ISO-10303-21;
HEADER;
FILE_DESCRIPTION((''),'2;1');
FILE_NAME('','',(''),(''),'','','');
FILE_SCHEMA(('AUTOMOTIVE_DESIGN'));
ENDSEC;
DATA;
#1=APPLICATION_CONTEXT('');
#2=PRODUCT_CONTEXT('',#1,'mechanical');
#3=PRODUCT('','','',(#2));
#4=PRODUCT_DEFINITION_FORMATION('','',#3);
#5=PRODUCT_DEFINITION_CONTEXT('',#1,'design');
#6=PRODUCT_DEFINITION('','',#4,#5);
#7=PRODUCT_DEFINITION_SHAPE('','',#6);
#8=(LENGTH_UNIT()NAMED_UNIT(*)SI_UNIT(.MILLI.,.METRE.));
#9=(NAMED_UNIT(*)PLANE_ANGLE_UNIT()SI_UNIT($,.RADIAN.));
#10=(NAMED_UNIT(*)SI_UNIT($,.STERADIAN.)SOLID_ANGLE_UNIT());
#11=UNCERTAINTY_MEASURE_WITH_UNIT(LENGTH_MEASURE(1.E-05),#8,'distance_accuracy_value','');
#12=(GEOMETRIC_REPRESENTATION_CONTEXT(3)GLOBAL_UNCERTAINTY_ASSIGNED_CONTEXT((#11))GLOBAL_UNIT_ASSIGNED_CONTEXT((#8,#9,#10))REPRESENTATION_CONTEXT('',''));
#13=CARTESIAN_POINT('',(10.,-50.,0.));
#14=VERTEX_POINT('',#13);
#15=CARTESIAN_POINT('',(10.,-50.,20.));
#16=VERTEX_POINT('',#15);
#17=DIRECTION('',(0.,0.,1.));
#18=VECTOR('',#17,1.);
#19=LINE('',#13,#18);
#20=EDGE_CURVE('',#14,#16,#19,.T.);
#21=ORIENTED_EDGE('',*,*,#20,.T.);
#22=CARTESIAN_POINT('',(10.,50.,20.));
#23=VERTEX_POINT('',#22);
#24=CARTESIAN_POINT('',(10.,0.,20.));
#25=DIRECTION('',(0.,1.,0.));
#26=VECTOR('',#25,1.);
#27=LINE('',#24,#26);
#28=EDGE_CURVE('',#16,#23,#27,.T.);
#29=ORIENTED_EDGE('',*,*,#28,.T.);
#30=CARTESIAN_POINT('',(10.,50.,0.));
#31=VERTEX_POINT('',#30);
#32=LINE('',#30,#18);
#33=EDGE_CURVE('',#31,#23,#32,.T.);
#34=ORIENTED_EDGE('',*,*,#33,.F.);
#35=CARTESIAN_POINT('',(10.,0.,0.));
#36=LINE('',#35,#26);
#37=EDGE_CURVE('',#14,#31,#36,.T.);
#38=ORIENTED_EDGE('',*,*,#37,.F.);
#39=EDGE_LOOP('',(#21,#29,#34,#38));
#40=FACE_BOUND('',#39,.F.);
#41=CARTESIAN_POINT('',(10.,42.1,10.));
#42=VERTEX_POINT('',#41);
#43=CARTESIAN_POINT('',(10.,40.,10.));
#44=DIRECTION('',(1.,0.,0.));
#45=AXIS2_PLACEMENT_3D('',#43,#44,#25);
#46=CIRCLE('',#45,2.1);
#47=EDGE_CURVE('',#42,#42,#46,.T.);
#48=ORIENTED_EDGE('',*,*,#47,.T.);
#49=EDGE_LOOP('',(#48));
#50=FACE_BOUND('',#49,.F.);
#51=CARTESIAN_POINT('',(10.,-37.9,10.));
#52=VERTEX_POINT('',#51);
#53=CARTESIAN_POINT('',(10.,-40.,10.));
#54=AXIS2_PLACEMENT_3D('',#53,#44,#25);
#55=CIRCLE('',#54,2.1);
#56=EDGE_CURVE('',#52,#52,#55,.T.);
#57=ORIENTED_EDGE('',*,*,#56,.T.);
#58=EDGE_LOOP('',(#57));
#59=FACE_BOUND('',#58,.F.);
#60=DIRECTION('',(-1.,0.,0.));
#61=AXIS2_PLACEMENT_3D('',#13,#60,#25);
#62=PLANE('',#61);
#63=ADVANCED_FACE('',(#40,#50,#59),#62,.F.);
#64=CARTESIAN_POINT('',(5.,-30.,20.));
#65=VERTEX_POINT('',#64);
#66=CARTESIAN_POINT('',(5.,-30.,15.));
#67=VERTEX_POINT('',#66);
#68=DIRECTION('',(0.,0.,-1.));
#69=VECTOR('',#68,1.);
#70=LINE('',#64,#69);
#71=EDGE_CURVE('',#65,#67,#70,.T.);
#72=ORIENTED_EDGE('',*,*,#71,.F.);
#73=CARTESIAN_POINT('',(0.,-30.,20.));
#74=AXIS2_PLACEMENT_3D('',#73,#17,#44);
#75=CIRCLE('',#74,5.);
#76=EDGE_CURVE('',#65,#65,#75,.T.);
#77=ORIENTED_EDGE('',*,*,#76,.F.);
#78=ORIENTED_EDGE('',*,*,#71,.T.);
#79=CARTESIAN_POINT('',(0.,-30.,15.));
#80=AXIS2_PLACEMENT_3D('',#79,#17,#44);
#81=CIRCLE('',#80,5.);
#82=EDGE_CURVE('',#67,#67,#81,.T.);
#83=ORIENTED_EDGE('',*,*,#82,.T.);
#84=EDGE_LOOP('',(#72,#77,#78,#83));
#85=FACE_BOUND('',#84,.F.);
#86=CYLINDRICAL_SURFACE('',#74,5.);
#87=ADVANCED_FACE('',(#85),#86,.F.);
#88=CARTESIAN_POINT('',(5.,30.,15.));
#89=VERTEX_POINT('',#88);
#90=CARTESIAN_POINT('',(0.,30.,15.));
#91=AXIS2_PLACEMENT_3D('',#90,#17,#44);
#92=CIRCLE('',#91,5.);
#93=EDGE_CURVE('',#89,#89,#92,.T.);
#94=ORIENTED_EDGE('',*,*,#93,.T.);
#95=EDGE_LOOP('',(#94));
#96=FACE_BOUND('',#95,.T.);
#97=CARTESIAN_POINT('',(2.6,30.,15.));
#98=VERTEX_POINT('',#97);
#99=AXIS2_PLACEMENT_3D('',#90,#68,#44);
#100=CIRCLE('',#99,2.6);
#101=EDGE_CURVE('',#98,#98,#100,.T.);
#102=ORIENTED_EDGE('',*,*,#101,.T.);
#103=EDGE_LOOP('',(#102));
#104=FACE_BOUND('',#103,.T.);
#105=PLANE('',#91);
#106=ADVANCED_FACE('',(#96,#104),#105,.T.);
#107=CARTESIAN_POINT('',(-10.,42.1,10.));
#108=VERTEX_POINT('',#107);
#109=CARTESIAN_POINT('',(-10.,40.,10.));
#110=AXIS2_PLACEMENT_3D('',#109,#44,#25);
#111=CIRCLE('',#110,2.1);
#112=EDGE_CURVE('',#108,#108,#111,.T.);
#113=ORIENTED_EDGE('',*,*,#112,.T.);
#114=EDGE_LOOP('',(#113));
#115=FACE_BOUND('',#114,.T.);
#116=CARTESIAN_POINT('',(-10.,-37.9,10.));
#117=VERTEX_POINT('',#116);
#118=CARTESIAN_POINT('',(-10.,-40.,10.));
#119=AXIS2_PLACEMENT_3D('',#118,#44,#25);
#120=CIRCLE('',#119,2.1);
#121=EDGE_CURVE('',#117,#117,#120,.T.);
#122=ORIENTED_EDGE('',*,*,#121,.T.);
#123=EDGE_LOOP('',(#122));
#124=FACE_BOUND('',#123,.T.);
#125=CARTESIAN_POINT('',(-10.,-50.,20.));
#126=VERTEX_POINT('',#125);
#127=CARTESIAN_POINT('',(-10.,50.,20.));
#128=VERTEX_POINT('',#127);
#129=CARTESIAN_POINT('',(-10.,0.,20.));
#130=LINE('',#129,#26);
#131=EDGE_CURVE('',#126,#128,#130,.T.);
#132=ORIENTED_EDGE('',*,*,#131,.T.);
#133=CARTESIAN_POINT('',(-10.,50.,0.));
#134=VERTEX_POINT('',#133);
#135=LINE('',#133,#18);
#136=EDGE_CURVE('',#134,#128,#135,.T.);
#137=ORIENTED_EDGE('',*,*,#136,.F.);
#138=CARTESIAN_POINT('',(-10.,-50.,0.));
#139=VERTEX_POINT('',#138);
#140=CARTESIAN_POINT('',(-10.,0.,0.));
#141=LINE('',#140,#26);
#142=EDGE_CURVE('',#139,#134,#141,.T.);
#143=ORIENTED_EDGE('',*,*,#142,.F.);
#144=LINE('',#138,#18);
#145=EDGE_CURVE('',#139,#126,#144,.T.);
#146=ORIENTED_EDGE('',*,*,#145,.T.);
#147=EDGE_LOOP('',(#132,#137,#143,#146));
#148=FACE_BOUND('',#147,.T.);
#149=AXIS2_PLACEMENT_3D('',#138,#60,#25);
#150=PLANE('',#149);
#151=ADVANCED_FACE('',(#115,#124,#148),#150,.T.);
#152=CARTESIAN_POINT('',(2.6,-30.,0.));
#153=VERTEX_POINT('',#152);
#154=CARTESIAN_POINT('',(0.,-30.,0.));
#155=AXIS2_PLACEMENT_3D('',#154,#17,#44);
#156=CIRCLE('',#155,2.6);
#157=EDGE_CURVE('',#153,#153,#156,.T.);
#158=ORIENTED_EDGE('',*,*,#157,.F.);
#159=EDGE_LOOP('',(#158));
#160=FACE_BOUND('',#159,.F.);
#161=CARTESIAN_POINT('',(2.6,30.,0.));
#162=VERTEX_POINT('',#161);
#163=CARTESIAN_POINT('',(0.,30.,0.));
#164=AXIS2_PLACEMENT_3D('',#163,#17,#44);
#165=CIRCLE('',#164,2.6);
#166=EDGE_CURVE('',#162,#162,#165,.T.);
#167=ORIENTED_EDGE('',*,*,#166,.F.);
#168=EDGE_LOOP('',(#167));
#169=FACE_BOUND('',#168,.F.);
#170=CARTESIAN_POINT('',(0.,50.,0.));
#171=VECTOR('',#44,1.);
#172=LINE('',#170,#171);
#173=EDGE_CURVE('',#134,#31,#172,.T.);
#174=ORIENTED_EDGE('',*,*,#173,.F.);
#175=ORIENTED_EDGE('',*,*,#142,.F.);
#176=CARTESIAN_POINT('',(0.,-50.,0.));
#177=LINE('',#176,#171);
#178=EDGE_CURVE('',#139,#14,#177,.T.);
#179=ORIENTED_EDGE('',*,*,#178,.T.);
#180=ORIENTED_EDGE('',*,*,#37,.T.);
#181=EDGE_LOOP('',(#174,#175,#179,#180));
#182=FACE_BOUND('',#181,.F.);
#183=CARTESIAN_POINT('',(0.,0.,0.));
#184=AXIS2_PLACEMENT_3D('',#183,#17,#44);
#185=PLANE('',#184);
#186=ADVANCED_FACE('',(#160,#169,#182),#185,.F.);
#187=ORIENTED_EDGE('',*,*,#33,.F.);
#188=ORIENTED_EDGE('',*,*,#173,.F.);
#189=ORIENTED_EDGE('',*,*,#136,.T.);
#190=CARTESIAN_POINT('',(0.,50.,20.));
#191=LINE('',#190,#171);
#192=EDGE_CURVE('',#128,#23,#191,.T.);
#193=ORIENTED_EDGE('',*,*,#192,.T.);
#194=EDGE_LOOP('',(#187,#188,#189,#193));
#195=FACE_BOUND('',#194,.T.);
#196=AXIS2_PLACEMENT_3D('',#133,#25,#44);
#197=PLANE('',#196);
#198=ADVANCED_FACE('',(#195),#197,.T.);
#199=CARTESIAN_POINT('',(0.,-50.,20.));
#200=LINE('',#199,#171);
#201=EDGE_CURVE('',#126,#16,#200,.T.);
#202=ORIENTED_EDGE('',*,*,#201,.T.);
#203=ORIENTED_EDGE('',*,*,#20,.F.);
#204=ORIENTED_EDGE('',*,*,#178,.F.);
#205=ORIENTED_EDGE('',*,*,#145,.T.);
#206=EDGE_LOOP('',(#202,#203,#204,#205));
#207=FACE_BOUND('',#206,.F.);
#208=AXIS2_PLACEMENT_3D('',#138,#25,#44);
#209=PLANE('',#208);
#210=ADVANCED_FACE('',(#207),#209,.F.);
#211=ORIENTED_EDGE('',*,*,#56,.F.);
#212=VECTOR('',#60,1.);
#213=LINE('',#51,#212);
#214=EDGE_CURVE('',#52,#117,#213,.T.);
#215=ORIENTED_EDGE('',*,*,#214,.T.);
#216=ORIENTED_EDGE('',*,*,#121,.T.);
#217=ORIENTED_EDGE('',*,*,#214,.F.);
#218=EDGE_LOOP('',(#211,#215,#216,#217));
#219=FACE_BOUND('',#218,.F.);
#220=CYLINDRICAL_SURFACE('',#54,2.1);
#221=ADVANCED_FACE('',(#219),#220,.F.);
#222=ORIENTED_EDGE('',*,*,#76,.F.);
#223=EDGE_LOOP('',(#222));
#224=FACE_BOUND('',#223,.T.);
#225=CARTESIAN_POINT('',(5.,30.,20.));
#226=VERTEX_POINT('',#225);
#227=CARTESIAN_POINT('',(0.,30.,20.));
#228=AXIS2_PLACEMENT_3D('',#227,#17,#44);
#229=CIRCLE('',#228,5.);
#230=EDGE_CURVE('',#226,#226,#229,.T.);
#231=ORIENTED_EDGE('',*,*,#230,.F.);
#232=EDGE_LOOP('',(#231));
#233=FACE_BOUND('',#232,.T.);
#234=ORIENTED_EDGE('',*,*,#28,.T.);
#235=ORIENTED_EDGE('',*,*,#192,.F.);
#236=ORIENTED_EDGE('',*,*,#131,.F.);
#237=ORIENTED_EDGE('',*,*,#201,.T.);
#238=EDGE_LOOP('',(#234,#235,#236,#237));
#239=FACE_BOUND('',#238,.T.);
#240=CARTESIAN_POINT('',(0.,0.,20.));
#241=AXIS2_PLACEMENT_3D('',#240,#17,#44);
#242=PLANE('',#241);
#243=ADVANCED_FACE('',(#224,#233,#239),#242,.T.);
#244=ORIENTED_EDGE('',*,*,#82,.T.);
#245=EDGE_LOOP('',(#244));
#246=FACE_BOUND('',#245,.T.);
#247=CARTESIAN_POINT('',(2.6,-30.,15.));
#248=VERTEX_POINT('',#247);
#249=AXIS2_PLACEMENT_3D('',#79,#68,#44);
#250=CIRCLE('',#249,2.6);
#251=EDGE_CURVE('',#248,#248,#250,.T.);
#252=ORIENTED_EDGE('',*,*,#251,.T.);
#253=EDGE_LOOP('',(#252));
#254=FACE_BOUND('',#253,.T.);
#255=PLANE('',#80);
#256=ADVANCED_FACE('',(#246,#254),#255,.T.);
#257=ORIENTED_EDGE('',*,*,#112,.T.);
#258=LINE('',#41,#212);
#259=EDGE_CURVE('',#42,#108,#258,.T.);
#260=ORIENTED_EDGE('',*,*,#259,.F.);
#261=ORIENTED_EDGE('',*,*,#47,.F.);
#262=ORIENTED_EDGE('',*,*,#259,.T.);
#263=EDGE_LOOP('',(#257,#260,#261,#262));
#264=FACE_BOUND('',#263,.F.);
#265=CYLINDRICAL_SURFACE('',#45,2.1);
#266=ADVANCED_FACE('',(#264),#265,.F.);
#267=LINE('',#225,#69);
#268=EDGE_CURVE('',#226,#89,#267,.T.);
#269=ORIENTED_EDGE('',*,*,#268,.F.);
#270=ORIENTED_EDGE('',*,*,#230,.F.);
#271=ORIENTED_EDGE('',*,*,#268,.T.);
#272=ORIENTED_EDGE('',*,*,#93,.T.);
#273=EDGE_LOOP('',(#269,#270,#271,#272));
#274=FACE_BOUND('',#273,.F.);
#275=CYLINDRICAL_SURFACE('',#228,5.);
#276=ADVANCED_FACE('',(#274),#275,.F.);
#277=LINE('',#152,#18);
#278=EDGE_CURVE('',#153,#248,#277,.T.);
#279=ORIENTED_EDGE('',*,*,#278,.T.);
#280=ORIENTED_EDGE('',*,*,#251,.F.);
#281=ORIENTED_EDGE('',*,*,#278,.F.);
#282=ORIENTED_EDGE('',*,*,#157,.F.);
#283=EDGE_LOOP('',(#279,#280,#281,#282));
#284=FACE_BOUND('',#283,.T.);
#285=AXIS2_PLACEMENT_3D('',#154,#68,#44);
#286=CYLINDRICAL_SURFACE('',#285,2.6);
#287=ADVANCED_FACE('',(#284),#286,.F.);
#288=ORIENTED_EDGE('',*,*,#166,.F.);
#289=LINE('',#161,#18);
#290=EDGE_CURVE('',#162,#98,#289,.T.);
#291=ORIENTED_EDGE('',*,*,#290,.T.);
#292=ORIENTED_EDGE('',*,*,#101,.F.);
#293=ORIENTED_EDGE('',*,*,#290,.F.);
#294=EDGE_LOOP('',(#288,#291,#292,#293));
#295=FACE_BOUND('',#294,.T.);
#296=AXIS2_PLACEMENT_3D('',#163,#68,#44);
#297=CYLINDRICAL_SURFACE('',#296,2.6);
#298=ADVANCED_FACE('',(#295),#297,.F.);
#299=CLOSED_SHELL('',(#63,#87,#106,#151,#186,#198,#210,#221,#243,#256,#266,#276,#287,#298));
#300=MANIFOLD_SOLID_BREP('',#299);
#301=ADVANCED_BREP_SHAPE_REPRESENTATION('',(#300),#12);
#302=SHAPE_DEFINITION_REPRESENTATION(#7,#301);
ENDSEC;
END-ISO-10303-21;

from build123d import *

# Parameters (mm, degrees)
F0_W     = 20
F0_H     = 100
F0_R     = 2.6
F1_DEPTH = 20
F2_R     = 5
F3_DEPTH = 5
F4_R     = 2.1
F5_DEPTH = 25


with BuildPart() as f1:
    # F0 (on Top) → F1 (new body)
    with BuildSketch(Plane.XY):
        Rectangle(F0_W, F0_H)
        with Locations((0, -30)):
            Circle(F0_R, mode=Mode.SUBTRACT)
        with Locations((0, 30)):
            Circle(F0_R, mode=Mode.SUBTRACT)
    extrude(amount=F1_DEPTH)

    # F2 (on face) → F3 (cut)
    with BuildSketch(Plane.XY.offset(20)):
        with Locations((0, 30)):
            Circle(F2_R)
        with Locations((0, -30)):
            Circle(F2_R)
    extrude(amount=-F3_DEPTH, mode=Mode.SUBTRACT)

    # F4 (on face) → F5 (cut)
    with BuildSketch(Plane.YZ.offset(10)):
        with Locations((-40, 10)):
            Circle(F4_R)
        with Locations((40, 10)):
            Circle(F4_R)
    extrude(amount=-F5_DEPTH, mode=Mode.SUBTRACT)


solid = f1.part
